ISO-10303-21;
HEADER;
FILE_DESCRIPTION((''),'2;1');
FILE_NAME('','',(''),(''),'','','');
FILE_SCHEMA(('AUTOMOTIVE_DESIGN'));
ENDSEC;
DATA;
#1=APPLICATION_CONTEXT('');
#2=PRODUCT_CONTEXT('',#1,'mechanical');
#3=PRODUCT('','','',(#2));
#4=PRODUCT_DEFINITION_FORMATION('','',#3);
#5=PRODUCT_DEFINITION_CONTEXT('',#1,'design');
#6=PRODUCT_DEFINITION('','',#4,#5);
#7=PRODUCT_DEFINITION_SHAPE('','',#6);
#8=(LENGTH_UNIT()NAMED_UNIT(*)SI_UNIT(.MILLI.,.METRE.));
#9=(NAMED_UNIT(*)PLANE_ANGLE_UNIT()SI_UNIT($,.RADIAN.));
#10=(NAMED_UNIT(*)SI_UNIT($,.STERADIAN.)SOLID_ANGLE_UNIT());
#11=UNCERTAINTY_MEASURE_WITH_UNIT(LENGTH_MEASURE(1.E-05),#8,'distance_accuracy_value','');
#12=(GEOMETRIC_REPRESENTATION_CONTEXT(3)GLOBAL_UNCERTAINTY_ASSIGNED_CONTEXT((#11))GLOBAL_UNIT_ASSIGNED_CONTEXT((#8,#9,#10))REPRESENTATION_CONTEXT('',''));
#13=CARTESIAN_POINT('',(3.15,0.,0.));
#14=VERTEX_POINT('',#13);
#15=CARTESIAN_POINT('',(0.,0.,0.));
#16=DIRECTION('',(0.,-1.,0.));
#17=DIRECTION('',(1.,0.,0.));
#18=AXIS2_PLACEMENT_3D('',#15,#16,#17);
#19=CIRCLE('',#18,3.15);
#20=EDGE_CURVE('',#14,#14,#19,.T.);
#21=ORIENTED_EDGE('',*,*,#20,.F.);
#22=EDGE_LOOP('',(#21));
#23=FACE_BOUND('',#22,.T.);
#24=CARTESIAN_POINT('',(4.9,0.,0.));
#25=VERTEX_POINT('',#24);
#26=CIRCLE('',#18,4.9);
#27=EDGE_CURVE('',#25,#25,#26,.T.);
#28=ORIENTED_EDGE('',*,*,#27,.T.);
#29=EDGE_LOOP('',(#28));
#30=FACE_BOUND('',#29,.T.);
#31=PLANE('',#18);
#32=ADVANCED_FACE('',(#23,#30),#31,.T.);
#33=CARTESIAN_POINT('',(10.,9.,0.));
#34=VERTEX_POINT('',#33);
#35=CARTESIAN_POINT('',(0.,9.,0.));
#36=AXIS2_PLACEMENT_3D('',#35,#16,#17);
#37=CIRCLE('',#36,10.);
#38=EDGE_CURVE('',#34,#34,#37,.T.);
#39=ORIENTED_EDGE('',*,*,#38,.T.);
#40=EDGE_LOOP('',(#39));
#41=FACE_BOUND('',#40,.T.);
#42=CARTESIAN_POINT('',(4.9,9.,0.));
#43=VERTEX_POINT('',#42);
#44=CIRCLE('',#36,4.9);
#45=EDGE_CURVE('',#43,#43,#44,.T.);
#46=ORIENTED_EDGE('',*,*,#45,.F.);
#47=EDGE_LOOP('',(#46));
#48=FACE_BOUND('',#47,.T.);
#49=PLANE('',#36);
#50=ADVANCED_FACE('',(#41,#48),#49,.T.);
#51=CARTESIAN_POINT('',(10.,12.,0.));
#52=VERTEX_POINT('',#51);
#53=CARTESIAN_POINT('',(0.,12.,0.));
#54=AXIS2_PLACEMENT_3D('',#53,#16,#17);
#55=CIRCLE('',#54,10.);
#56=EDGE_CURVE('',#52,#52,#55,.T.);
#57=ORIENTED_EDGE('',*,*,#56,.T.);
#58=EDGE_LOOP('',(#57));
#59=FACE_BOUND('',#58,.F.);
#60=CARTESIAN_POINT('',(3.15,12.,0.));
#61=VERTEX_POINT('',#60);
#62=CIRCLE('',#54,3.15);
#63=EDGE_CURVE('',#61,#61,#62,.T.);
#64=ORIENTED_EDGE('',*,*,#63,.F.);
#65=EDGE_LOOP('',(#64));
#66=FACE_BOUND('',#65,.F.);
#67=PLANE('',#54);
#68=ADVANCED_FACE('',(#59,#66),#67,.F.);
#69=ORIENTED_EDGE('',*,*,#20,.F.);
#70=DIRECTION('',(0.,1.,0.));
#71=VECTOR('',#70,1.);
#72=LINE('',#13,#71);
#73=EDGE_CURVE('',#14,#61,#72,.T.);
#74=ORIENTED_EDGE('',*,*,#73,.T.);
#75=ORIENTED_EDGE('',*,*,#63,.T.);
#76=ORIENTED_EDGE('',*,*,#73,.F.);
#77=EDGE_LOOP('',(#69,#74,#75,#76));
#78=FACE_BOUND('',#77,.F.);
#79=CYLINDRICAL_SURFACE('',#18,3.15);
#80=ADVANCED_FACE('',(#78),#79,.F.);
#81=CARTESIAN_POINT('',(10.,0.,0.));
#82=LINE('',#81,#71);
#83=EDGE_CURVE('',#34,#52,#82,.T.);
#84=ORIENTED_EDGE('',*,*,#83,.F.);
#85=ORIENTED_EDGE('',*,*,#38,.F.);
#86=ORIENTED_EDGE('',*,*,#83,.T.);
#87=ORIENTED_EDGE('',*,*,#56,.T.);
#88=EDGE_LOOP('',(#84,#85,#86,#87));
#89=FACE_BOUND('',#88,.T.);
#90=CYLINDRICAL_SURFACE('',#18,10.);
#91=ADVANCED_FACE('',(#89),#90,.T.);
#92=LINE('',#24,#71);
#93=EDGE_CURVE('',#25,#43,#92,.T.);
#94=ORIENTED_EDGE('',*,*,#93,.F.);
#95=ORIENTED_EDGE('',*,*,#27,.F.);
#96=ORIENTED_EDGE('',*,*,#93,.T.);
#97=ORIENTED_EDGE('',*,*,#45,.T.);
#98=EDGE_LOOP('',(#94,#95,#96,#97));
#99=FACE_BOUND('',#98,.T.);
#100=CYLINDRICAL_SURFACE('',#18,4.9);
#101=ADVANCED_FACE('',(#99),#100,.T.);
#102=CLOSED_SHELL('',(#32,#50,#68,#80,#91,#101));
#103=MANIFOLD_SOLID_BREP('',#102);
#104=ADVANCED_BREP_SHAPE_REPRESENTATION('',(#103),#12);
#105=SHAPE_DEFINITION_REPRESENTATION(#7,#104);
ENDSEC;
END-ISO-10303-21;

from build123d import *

# Parameters (mm, degrees)
F0_R     = 10
F0_R_2   = 3.15
F1_DEPTH = 12
F2_R     = 10
F2_R_2   = 4.9
F3_DEPTH = 9


with BuildPart() as f1:
    # F0 (on Front) → F1 (new body)
    with BuildSketch(Plane.XZ):
        Circle(F0_R)
        Circle(F0_R_2, mode=Mode.SUBTRACT)
    extrude(amount=-F1_DEPTH)

    # F2 (on face) → F3 (cut)
    with BuildSketch(Plane.XZ):
        Circle(F2_R)
        Circle(F2_R_2, mode=Mode.SUBTRACT)
    extrude(amount=-F3_DEPTH, mode=Mode.SUBTRACT)


solid = f1.part
